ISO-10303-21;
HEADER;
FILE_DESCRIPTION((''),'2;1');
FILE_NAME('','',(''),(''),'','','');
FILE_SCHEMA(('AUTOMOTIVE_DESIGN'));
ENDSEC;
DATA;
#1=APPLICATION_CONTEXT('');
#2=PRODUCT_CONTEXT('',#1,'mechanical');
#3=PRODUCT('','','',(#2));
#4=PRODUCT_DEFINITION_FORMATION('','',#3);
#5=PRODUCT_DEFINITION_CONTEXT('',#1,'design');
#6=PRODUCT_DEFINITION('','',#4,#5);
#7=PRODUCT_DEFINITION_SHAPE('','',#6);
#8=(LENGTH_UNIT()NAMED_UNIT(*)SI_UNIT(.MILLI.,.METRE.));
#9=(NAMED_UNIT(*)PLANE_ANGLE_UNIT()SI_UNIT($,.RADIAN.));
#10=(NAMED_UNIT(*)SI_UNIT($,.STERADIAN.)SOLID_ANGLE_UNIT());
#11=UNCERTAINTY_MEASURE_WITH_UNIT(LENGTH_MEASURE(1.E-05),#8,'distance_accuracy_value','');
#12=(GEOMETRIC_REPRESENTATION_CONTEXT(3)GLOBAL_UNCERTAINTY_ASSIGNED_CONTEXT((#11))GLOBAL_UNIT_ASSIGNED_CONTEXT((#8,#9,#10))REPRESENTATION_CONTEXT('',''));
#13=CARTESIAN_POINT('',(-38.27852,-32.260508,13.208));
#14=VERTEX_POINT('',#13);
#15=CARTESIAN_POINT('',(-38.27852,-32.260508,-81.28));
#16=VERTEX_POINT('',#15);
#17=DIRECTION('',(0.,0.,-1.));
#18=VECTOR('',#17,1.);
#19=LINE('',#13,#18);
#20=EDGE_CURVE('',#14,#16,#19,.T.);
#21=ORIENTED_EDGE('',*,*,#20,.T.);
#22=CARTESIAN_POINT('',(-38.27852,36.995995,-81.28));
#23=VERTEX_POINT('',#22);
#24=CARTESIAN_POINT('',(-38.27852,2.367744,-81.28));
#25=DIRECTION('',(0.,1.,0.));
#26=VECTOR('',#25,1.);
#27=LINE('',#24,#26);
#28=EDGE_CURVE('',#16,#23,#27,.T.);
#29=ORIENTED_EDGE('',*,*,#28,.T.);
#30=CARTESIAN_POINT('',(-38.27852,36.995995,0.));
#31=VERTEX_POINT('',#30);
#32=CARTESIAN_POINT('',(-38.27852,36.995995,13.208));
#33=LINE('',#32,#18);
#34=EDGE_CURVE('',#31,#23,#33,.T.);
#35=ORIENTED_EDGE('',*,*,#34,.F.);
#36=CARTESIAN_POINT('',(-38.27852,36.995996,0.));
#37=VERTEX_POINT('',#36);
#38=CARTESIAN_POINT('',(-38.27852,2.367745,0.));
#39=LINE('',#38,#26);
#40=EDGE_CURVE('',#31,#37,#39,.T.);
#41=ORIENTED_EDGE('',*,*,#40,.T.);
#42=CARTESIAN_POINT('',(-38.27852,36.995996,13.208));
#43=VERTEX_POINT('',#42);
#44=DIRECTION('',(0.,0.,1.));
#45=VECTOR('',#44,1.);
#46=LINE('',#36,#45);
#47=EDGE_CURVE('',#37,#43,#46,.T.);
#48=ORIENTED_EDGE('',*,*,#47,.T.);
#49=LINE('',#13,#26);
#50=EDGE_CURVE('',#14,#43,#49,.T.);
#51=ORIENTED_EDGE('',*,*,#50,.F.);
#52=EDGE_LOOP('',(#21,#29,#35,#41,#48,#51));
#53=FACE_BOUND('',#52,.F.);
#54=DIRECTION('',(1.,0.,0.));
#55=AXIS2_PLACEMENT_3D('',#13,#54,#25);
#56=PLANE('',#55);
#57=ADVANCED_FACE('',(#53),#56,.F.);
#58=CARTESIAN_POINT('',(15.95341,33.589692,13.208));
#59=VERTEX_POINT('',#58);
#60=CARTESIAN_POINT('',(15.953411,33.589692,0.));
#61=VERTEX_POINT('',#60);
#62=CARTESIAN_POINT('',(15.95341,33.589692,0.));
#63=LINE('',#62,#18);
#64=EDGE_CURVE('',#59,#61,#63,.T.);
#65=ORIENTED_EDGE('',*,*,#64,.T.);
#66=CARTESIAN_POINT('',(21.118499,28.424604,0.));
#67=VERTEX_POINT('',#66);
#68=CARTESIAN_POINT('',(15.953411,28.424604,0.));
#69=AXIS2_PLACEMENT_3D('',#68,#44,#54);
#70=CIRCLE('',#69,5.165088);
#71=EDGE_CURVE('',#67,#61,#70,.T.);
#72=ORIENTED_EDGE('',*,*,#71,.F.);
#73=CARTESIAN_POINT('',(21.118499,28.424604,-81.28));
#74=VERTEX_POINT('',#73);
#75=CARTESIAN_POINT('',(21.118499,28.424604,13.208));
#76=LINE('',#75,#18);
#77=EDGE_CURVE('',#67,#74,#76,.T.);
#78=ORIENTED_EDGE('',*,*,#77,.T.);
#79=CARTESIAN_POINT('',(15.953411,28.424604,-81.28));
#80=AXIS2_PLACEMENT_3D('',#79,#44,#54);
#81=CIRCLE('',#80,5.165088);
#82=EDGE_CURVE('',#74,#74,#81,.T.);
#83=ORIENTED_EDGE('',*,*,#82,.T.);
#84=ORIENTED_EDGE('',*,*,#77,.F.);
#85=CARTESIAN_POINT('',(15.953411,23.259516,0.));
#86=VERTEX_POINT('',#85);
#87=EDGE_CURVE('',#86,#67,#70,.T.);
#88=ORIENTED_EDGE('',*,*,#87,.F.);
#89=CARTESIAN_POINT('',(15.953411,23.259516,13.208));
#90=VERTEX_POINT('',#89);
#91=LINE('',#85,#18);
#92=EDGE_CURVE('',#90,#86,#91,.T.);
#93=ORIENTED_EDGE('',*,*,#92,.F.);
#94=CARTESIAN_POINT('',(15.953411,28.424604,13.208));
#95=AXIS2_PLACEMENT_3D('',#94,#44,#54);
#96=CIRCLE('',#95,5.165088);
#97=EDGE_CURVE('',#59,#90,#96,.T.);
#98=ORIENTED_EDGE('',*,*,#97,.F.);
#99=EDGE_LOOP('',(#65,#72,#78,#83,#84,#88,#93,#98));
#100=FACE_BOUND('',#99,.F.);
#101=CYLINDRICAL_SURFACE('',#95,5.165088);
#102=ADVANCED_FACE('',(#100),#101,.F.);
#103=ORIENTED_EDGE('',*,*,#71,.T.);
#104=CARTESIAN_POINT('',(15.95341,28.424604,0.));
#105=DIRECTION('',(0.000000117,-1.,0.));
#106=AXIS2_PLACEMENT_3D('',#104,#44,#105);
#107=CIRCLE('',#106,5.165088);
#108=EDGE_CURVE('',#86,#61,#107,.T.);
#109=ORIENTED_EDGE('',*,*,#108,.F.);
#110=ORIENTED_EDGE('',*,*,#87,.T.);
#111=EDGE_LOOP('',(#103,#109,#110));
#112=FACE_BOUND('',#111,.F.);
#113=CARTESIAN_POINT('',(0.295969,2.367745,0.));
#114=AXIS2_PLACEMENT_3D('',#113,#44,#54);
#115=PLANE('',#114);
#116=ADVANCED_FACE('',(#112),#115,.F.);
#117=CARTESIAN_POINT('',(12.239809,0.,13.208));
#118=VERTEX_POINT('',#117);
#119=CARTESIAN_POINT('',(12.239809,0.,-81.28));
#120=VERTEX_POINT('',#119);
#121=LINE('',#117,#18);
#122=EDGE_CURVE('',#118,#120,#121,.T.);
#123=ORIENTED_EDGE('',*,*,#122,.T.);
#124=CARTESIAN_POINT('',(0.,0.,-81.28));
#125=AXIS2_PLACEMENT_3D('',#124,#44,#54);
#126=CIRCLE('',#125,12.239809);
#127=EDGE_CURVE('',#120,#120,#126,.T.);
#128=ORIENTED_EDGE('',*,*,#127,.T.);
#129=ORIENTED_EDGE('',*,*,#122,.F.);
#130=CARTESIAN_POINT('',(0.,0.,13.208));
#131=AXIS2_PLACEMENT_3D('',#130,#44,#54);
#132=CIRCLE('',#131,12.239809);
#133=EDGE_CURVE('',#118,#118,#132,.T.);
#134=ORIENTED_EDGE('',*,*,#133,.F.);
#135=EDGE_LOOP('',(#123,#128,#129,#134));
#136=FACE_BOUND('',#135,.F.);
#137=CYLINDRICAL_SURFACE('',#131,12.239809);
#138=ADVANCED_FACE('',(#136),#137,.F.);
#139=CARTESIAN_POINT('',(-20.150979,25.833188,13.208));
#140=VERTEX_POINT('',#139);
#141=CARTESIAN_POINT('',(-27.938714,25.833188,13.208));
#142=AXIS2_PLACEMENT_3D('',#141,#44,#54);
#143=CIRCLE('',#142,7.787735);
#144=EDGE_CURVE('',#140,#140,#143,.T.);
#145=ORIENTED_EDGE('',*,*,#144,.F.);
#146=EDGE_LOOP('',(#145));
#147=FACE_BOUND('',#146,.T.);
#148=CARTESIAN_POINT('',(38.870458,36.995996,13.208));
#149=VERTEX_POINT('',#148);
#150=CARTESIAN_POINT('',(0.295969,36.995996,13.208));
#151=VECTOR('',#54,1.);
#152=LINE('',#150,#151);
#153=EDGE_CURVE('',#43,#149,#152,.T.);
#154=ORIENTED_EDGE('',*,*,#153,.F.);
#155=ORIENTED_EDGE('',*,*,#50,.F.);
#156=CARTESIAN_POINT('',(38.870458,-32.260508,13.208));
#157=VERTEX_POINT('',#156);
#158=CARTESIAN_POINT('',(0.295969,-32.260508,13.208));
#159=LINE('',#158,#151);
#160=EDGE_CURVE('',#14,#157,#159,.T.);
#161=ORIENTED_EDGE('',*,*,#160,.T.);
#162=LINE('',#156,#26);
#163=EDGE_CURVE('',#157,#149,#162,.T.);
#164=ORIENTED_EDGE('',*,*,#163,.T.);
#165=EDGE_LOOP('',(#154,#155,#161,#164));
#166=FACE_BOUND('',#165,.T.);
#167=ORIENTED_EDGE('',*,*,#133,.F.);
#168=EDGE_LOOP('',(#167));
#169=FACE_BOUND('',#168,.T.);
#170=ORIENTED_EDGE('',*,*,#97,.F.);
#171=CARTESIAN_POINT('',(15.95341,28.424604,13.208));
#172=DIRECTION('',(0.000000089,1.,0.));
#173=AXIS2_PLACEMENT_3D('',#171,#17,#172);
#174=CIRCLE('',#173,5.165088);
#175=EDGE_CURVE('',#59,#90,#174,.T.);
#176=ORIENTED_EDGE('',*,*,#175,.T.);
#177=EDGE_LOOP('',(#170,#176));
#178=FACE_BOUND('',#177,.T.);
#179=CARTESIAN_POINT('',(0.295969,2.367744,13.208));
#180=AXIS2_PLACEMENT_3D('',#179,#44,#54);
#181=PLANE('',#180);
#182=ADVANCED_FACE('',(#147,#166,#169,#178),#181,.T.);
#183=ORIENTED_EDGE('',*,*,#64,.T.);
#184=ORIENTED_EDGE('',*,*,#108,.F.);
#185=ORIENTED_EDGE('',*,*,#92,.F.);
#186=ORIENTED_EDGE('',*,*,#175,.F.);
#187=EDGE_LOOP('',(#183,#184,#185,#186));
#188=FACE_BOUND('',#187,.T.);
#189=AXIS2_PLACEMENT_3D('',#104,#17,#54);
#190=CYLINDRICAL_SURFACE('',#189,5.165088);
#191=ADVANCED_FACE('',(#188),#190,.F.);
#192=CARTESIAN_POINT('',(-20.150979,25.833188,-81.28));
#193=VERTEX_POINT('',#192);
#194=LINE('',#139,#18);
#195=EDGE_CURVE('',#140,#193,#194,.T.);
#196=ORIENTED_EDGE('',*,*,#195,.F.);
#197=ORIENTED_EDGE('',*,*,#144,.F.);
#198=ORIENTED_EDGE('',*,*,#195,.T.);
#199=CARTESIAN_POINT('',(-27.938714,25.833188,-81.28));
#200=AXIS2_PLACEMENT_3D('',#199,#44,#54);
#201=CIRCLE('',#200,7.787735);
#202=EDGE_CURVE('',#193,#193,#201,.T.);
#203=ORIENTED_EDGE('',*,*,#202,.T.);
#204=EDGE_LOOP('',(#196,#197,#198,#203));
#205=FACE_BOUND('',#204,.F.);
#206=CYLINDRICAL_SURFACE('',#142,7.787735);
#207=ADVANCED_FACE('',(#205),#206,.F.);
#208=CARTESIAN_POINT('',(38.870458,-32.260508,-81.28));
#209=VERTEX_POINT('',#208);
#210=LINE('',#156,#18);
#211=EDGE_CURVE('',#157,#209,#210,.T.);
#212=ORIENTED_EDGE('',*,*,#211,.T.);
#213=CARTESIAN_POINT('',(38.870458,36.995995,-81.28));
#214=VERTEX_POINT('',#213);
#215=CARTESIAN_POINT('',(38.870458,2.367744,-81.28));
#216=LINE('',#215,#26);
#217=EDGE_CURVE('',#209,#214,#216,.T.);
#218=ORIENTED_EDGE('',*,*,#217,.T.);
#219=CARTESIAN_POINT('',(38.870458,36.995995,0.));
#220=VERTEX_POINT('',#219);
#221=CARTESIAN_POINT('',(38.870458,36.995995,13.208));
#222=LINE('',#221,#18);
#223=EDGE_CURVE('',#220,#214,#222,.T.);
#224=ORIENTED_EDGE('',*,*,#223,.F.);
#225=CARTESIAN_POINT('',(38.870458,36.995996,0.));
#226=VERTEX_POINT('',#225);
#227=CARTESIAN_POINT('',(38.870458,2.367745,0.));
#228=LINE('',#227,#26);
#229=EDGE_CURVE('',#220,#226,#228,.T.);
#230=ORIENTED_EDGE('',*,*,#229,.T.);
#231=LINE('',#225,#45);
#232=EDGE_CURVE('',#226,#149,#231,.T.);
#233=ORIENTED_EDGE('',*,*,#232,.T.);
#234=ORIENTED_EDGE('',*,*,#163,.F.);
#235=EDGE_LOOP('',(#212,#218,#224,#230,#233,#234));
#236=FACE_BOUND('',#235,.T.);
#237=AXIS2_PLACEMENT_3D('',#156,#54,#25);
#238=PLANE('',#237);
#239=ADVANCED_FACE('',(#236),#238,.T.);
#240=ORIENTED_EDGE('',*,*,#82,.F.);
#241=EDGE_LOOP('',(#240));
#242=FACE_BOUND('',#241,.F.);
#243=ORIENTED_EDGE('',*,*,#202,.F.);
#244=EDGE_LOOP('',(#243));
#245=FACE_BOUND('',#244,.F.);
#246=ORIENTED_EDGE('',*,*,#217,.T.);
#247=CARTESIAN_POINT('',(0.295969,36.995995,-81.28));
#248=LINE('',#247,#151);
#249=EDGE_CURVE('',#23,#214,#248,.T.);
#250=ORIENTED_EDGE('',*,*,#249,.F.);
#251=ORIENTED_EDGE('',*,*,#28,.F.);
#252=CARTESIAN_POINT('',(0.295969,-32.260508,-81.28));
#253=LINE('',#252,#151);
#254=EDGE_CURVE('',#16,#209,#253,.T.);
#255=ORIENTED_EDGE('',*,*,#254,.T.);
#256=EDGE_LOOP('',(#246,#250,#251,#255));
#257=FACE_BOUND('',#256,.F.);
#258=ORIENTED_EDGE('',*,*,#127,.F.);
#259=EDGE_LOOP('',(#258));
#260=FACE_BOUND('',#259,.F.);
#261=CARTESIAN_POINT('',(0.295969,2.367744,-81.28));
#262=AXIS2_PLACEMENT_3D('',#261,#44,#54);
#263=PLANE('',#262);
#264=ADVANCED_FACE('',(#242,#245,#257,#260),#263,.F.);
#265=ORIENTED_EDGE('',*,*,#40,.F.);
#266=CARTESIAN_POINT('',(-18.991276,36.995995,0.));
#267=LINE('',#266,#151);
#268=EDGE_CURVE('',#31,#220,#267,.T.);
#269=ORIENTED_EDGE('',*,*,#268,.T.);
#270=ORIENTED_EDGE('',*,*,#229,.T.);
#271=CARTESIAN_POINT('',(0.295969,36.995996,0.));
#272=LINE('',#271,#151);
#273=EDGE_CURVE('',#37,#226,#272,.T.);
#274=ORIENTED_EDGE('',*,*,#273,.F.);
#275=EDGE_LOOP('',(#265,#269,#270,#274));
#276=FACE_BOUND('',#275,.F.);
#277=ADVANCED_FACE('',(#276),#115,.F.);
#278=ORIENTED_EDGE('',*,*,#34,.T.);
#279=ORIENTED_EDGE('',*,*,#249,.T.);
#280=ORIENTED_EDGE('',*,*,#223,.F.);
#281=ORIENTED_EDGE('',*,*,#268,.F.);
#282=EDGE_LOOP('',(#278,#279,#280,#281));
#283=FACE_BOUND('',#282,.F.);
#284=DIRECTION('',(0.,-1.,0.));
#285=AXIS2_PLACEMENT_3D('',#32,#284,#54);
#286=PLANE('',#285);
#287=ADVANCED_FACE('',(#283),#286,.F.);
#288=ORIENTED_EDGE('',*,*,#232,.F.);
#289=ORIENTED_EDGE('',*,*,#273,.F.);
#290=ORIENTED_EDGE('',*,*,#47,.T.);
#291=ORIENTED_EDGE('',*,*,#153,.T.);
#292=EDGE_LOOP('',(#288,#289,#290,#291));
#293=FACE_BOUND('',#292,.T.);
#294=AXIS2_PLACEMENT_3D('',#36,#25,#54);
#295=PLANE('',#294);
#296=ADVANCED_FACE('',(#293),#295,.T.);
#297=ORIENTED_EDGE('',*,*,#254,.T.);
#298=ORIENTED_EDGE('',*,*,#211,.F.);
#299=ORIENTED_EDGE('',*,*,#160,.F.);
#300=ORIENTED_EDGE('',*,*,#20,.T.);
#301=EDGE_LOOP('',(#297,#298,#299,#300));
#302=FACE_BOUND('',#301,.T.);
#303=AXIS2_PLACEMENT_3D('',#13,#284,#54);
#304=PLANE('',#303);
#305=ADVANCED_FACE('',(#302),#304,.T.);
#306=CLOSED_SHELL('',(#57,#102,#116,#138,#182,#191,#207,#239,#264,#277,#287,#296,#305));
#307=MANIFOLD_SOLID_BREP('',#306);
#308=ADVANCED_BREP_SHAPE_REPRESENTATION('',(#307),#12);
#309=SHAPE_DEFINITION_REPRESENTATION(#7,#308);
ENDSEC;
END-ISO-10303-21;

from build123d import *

# Parameters (mm, degrees)
F0_W        = 77.148978
F0_H        = 69.256503
F0_R        = 12.239809
F0_R_2      = 7.787735
F0_R_3      = 5.165088
F1_DEPTH    = 13.208
F1_FACE_W   = 77.148978
F1_FACE_H   = 69.256503
F1_FACE_R   = 12.239809
F1_FACE_R_2 = 7.787735
F1_FACE_R_3 = 5.165088
F2_DEPTH    = 94.488


with BuildPart() as f1:
    # F0 (on Top) → F1 (new body)
    with BuildSketch(Plane.XY):
        with Locations((0.295969, 2.367745)):
            Rectangle(F0_W, F0_H)
        Circle(F0_R, mode=Mode.SUBTRACT)
        with Locations((-27.938714, 25.833188)):
            Circle(F0_R_2, mode=Mode.SUBTRACT)
        with Locations((15.95341, 28.424604)):
            Circle(F0_R_3, mode=Mode.SUBTRACT)
    extrude(amount=F1_DEPTH)

    # F1_face (on face) → F2 (join)
    with BuildSketch(Plane(origin=(1.210849, 1.162793, 13.208), x_dir=(1, 0, 0), z_dir=(0, 0, 1))):
        with Locations((-0.91488, 1.204951)):
            Rectangle(F1_FACE_W, F1_FACE_H)
        with Locations((-1.210849, -1.162793)):
            Circle(F1_FACE_R, mode=Mode.SUBTRACT)
        with Locations((-29.149563, 24.670395)):
            Circle(F1_FACE_R_2, mode=Mode.SUBTRACT)
        with Locations((14.742562, 27.261811)):
            Circle(F1_FACE_R_3, mode=Mode.SUBTRACT)
    extrude(amount=-F2_DEPTH)


solid = f1.part
